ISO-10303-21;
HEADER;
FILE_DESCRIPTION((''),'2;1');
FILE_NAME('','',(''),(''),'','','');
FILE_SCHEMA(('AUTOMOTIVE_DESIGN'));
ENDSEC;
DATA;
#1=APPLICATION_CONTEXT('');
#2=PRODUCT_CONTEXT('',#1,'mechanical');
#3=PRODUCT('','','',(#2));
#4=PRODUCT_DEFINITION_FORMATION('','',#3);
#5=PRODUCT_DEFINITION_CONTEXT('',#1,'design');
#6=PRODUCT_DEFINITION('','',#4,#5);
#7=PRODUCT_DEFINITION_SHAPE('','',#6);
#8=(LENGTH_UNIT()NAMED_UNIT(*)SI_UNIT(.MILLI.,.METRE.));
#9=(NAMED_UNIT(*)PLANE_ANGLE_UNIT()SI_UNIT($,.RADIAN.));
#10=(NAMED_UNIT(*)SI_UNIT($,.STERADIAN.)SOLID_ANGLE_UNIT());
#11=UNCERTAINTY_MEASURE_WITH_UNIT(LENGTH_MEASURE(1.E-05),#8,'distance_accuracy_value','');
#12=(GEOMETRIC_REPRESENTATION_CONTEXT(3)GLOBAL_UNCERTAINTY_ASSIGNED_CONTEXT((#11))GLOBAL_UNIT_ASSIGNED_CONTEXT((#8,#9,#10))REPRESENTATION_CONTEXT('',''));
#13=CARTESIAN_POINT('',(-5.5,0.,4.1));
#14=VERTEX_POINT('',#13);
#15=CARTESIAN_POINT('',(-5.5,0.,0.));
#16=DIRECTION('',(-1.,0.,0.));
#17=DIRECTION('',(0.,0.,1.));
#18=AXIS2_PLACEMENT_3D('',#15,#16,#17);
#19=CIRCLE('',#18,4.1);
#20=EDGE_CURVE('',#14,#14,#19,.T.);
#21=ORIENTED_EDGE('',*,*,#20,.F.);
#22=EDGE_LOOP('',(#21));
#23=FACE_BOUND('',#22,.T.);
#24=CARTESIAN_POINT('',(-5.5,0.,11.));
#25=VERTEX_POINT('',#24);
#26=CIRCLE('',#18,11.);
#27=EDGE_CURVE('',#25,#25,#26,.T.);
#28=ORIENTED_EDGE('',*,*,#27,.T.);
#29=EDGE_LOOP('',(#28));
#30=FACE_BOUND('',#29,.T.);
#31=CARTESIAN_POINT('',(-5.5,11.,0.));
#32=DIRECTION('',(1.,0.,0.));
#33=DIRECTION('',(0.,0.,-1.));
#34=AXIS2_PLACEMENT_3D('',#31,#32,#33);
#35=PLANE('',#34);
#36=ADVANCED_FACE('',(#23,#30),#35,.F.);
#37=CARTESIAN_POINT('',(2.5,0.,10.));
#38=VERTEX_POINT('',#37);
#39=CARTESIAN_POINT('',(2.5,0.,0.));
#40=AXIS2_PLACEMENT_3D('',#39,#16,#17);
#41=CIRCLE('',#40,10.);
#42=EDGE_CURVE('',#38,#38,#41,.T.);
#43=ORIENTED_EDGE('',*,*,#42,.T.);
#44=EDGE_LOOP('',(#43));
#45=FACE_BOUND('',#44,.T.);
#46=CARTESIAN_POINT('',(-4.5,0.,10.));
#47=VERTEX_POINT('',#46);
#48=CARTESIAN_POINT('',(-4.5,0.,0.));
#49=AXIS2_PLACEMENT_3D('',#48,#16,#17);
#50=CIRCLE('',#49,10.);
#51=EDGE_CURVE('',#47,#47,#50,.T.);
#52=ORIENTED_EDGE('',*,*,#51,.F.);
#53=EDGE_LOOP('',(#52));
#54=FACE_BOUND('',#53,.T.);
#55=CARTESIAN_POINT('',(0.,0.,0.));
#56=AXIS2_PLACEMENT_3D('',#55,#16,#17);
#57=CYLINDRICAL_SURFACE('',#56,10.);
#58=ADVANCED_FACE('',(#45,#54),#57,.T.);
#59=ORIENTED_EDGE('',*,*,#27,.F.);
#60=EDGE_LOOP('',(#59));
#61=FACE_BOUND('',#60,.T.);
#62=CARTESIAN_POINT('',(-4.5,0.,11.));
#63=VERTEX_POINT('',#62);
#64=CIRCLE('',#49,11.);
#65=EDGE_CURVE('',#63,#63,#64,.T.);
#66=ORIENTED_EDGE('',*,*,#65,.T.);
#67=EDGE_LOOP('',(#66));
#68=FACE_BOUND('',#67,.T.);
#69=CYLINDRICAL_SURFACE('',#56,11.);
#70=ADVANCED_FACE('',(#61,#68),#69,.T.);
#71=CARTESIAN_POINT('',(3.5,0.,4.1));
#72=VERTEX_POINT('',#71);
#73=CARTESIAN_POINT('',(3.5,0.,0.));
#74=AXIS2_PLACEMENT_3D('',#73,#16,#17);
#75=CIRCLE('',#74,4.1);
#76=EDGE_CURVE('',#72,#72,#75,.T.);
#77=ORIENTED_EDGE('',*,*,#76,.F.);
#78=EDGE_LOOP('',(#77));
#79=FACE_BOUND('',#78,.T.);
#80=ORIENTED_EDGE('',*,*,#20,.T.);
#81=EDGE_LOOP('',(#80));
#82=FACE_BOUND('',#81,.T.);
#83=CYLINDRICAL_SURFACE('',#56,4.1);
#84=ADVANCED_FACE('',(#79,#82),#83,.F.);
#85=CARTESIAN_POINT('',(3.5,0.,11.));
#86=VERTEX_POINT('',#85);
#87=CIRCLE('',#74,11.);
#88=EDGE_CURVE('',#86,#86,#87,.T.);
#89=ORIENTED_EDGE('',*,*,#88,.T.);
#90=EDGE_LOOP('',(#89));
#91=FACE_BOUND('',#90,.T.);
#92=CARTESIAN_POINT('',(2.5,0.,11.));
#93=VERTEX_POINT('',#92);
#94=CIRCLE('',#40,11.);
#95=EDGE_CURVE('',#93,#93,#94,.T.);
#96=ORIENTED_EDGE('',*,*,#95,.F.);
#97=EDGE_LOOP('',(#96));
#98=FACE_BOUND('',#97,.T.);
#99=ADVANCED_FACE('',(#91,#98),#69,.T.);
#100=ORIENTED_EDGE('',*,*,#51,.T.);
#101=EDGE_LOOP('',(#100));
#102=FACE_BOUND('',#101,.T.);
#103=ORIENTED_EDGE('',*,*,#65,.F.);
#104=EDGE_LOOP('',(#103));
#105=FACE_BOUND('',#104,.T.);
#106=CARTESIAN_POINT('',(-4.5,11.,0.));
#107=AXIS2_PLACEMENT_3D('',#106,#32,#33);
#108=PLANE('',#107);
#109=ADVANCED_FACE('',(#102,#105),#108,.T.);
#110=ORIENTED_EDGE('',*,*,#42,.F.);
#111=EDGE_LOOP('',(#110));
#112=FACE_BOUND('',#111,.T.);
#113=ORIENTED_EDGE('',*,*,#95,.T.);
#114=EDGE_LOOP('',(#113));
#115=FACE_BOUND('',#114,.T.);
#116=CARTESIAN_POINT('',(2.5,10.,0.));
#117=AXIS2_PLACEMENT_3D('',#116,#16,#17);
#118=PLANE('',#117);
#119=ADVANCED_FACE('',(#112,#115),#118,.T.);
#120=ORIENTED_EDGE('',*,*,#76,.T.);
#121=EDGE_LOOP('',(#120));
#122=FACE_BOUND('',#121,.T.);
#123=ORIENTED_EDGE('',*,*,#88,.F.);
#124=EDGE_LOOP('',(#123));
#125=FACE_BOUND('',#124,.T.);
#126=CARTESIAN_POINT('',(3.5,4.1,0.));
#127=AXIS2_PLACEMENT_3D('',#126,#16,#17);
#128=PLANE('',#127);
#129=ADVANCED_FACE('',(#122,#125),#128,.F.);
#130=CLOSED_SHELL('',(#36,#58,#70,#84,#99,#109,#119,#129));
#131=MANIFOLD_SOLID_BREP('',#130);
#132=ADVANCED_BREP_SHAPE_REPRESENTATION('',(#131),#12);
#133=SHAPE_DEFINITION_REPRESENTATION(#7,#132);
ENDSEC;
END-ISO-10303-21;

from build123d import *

# Parameters (mm, degrees)
SKETCH1_W = 9
SKETCH1_H = 6.9
SKETCH2_W = 7
SKETCH2_H = 1


with BuildPart() as part:
    # Sketch1 → Revolve1 (revolve)
    with BuildSketch(Plane.XY, mode=Mode.PRIVATE) as revolve1_sk:
        with Locations((-1, 7.55)):
            Rectangle(SKETCH1_W, SKETCH1_H)
    revolve(revolve1_sk.sketch.rotate(Axis((0, 0, 0), (1, 0, 0)), 90), axis=Axis((0, 0, 0), (1, 0, 0)))

    # Sketch2 → Cut-Revolve1 (revolve, cut)
    with BuildSketch(Plane.XY, mode=Mode.PRIVATE) as cut_revolve1_sk:
        with Locations((-1, 10.5)):
            Rectangle(SKETCH2_W, SKETCH2_H)
    revolve(cut_revolve1_sk.sketch.rotate(Axis((0, 0, 0), (1, 0, 0)), 90), axis=Axis((0, 0, 0), (1, 0, 0)), mode=Mode.SUBTRACT)


solid = part.part
